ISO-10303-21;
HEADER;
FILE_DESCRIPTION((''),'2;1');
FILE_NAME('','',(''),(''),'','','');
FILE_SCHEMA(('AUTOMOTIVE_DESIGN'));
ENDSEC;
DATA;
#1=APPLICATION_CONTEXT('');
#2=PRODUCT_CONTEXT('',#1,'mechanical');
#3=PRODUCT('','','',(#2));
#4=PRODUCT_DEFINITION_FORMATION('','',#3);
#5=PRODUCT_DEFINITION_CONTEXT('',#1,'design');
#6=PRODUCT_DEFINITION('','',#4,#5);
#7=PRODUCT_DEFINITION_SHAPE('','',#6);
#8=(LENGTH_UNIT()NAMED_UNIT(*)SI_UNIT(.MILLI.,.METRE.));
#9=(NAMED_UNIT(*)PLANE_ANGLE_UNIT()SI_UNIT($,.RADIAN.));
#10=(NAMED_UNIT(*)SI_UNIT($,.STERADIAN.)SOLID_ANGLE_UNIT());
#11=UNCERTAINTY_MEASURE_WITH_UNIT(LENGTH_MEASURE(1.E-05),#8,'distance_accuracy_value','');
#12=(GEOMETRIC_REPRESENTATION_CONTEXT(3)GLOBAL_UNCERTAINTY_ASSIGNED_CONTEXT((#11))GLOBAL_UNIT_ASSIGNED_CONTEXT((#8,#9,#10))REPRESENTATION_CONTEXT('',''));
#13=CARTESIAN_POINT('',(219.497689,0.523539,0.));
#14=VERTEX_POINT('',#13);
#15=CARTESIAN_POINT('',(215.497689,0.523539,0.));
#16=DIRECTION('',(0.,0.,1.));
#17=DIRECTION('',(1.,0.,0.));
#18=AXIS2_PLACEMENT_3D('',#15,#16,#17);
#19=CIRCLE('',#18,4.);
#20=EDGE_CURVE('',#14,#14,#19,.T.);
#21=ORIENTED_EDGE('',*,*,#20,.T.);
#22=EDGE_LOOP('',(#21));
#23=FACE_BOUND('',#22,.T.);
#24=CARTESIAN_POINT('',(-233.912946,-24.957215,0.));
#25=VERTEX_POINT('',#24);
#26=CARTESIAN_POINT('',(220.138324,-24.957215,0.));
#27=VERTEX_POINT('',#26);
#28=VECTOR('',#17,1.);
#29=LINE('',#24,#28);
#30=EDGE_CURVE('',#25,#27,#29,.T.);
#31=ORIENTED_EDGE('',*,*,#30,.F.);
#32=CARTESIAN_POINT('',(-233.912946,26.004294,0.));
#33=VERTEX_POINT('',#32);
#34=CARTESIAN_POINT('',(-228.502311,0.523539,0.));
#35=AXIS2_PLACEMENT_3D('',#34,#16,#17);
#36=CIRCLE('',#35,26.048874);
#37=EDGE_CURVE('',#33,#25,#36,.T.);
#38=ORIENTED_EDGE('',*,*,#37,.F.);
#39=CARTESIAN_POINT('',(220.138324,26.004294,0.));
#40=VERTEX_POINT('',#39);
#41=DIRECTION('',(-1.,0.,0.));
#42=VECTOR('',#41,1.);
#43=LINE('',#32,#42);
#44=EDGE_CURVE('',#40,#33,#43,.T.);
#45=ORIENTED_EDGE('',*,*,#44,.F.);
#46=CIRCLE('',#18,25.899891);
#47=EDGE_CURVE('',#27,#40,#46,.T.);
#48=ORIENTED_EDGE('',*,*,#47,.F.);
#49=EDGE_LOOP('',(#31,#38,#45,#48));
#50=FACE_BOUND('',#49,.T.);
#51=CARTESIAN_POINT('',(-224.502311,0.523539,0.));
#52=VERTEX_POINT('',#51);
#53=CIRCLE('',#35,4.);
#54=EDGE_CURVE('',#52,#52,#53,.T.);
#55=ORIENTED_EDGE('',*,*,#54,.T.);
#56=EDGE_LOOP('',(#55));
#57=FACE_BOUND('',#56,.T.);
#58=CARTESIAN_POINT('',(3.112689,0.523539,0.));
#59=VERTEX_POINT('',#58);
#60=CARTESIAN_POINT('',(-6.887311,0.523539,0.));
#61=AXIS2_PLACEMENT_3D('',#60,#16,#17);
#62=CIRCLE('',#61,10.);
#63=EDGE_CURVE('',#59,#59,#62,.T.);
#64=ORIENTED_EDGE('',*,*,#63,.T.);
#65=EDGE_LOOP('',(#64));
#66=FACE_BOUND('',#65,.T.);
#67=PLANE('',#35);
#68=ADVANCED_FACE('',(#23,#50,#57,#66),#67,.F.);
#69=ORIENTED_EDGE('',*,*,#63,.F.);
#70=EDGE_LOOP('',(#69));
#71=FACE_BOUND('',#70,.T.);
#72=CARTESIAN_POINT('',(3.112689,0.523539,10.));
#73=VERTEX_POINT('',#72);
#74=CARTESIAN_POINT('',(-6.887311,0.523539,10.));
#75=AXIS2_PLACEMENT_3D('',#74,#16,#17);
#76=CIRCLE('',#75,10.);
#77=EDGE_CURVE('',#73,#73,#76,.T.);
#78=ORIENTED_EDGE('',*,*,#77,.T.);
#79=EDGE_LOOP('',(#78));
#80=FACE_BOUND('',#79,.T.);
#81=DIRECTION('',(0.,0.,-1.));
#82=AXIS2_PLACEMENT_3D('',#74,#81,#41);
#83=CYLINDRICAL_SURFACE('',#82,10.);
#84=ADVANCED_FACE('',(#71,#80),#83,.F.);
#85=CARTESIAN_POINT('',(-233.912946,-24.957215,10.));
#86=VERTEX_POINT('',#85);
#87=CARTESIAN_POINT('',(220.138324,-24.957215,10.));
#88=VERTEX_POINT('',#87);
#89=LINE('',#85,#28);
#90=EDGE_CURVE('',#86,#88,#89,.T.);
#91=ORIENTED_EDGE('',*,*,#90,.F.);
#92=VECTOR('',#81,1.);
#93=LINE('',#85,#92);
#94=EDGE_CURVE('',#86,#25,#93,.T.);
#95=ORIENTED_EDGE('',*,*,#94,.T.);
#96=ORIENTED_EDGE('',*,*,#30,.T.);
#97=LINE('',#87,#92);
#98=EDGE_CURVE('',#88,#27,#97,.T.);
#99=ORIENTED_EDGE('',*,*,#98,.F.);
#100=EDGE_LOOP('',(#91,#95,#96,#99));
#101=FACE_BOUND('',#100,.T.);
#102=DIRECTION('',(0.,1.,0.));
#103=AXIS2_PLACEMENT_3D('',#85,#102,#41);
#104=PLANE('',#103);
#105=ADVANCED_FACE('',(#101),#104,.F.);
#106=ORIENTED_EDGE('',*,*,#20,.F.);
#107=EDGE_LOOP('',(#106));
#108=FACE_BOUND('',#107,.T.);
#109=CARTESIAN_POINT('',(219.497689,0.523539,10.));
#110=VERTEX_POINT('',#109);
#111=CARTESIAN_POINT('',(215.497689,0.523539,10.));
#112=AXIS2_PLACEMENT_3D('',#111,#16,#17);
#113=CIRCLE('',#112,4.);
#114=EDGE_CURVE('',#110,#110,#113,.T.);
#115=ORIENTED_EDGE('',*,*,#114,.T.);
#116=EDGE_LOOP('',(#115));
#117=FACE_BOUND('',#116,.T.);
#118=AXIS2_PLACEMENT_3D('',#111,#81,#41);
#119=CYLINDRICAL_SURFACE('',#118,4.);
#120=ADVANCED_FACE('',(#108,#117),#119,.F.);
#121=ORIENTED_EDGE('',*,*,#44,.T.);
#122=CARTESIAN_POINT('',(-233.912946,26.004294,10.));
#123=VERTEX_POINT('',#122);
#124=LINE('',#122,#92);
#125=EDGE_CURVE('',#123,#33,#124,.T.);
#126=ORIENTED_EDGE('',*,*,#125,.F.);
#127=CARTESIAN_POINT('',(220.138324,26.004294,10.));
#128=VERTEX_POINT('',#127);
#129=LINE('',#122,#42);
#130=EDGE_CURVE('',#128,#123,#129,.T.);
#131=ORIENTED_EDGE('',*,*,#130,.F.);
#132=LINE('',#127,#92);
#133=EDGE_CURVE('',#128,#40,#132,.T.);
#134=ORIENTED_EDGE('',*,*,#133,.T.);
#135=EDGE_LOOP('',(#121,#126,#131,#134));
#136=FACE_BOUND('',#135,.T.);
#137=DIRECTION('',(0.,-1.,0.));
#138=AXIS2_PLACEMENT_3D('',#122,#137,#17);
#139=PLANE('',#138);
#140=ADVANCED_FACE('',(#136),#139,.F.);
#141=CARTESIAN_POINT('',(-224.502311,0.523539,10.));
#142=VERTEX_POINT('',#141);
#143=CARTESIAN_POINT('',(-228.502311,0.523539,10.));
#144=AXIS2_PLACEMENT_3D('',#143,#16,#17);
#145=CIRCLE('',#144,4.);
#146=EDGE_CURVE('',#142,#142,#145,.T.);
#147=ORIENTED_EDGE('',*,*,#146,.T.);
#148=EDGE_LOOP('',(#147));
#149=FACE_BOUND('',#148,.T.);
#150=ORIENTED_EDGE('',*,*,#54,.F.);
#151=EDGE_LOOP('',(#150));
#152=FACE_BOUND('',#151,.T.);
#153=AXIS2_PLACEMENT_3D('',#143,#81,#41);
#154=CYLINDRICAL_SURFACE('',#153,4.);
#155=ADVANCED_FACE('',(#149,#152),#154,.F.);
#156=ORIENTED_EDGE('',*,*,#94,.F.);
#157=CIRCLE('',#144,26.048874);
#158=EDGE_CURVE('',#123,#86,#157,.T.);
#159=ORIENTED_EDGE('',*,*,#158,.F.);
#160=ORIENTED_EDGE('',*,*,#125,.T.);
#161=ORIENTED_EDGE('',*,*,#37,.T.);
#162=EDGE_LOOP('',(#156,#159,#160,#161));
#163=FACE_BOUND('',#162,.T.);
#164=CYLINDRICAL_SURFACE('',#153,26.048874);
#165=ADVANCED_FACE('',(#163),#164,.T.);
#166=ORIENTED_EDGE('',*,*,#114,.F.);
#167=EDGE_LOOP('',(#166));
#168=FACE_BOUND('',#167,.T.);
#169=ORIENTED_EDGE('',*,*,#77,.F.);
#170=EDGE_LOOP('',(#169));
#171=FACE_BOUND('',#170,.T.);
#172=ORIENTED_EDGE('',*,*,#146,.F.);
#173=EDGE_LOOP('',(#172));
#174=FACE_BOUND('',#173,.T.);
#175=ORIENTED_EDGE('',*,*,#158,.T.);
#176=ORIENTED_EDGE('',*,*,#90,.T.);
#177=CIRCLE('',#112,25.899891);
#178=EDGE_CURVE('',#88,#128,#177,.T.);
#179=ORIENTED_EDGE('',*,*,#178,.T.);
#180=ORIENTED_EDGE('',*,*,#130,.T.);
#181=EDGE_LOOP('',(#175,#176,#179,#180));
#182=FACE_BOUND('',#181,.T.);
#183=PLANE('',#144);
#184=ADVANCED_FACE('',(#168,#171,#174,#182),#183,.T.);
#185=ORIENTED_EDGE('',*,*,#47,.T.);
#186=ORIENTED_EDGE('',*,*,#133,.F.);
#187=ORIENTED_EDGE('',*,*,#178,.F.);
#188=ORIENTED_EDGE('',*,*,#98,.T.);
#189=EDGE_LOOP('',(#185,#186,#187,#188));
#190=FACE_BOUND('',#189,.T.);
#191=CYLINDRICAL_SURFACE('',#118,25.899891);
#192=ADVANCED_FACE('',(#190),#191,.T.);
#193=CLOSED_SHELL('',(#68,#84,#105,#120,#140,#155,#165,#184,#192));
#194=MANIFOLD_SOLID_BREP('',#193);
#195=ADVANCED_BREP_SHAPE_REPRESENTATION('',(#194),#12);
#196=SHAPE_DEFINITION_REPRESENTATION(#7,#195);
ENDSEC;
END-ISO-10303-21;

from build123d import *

# Parameters (mm, degrees)
SKETCH1_R           = 4
SKETCH1_R_2         = 10
BOSS_EXTRUDE1_DEPTH = 10


with BuildPart() as part:
    # Sketch1 → Boss-Extrude1 (new body)
    with BuildSketch(Plane.XY):
        with BuildLine():
            Line((-233.912946187, 26.004294273), (220.138323958, 26.004294273))
            ThreePointArc((220.138323958, 26.004294273), (241.397579977, 0.523539484), (220.138323958, -24.957215306))
            Line((220.138323958, -24.957215306), (-233.912946187, -24.957215306))
            ThreePointArc((-233.912946187, -24.957215306), (-254.551185112, 0.523539484), (-233.912946187, 26.004294273))
        make_face()
        with Locations((-228.502311114, 0.523539484)):
            Circle(SKETCH1_R, mode=Mode.SUBTRACT)
        with Locations((-6.887311114, 0.523539484)):
            Circle(SKETCH1_R_2, mode=Mode.SUBTRACT)
        with Locations((215.497688886, 0.523539484)):
            Circle(SKETCH1_R, mode=Mode.SUBTRACT)
    extrude(amount=BOSS_EXTRUDE1_DEPTH)


solid = part.part
